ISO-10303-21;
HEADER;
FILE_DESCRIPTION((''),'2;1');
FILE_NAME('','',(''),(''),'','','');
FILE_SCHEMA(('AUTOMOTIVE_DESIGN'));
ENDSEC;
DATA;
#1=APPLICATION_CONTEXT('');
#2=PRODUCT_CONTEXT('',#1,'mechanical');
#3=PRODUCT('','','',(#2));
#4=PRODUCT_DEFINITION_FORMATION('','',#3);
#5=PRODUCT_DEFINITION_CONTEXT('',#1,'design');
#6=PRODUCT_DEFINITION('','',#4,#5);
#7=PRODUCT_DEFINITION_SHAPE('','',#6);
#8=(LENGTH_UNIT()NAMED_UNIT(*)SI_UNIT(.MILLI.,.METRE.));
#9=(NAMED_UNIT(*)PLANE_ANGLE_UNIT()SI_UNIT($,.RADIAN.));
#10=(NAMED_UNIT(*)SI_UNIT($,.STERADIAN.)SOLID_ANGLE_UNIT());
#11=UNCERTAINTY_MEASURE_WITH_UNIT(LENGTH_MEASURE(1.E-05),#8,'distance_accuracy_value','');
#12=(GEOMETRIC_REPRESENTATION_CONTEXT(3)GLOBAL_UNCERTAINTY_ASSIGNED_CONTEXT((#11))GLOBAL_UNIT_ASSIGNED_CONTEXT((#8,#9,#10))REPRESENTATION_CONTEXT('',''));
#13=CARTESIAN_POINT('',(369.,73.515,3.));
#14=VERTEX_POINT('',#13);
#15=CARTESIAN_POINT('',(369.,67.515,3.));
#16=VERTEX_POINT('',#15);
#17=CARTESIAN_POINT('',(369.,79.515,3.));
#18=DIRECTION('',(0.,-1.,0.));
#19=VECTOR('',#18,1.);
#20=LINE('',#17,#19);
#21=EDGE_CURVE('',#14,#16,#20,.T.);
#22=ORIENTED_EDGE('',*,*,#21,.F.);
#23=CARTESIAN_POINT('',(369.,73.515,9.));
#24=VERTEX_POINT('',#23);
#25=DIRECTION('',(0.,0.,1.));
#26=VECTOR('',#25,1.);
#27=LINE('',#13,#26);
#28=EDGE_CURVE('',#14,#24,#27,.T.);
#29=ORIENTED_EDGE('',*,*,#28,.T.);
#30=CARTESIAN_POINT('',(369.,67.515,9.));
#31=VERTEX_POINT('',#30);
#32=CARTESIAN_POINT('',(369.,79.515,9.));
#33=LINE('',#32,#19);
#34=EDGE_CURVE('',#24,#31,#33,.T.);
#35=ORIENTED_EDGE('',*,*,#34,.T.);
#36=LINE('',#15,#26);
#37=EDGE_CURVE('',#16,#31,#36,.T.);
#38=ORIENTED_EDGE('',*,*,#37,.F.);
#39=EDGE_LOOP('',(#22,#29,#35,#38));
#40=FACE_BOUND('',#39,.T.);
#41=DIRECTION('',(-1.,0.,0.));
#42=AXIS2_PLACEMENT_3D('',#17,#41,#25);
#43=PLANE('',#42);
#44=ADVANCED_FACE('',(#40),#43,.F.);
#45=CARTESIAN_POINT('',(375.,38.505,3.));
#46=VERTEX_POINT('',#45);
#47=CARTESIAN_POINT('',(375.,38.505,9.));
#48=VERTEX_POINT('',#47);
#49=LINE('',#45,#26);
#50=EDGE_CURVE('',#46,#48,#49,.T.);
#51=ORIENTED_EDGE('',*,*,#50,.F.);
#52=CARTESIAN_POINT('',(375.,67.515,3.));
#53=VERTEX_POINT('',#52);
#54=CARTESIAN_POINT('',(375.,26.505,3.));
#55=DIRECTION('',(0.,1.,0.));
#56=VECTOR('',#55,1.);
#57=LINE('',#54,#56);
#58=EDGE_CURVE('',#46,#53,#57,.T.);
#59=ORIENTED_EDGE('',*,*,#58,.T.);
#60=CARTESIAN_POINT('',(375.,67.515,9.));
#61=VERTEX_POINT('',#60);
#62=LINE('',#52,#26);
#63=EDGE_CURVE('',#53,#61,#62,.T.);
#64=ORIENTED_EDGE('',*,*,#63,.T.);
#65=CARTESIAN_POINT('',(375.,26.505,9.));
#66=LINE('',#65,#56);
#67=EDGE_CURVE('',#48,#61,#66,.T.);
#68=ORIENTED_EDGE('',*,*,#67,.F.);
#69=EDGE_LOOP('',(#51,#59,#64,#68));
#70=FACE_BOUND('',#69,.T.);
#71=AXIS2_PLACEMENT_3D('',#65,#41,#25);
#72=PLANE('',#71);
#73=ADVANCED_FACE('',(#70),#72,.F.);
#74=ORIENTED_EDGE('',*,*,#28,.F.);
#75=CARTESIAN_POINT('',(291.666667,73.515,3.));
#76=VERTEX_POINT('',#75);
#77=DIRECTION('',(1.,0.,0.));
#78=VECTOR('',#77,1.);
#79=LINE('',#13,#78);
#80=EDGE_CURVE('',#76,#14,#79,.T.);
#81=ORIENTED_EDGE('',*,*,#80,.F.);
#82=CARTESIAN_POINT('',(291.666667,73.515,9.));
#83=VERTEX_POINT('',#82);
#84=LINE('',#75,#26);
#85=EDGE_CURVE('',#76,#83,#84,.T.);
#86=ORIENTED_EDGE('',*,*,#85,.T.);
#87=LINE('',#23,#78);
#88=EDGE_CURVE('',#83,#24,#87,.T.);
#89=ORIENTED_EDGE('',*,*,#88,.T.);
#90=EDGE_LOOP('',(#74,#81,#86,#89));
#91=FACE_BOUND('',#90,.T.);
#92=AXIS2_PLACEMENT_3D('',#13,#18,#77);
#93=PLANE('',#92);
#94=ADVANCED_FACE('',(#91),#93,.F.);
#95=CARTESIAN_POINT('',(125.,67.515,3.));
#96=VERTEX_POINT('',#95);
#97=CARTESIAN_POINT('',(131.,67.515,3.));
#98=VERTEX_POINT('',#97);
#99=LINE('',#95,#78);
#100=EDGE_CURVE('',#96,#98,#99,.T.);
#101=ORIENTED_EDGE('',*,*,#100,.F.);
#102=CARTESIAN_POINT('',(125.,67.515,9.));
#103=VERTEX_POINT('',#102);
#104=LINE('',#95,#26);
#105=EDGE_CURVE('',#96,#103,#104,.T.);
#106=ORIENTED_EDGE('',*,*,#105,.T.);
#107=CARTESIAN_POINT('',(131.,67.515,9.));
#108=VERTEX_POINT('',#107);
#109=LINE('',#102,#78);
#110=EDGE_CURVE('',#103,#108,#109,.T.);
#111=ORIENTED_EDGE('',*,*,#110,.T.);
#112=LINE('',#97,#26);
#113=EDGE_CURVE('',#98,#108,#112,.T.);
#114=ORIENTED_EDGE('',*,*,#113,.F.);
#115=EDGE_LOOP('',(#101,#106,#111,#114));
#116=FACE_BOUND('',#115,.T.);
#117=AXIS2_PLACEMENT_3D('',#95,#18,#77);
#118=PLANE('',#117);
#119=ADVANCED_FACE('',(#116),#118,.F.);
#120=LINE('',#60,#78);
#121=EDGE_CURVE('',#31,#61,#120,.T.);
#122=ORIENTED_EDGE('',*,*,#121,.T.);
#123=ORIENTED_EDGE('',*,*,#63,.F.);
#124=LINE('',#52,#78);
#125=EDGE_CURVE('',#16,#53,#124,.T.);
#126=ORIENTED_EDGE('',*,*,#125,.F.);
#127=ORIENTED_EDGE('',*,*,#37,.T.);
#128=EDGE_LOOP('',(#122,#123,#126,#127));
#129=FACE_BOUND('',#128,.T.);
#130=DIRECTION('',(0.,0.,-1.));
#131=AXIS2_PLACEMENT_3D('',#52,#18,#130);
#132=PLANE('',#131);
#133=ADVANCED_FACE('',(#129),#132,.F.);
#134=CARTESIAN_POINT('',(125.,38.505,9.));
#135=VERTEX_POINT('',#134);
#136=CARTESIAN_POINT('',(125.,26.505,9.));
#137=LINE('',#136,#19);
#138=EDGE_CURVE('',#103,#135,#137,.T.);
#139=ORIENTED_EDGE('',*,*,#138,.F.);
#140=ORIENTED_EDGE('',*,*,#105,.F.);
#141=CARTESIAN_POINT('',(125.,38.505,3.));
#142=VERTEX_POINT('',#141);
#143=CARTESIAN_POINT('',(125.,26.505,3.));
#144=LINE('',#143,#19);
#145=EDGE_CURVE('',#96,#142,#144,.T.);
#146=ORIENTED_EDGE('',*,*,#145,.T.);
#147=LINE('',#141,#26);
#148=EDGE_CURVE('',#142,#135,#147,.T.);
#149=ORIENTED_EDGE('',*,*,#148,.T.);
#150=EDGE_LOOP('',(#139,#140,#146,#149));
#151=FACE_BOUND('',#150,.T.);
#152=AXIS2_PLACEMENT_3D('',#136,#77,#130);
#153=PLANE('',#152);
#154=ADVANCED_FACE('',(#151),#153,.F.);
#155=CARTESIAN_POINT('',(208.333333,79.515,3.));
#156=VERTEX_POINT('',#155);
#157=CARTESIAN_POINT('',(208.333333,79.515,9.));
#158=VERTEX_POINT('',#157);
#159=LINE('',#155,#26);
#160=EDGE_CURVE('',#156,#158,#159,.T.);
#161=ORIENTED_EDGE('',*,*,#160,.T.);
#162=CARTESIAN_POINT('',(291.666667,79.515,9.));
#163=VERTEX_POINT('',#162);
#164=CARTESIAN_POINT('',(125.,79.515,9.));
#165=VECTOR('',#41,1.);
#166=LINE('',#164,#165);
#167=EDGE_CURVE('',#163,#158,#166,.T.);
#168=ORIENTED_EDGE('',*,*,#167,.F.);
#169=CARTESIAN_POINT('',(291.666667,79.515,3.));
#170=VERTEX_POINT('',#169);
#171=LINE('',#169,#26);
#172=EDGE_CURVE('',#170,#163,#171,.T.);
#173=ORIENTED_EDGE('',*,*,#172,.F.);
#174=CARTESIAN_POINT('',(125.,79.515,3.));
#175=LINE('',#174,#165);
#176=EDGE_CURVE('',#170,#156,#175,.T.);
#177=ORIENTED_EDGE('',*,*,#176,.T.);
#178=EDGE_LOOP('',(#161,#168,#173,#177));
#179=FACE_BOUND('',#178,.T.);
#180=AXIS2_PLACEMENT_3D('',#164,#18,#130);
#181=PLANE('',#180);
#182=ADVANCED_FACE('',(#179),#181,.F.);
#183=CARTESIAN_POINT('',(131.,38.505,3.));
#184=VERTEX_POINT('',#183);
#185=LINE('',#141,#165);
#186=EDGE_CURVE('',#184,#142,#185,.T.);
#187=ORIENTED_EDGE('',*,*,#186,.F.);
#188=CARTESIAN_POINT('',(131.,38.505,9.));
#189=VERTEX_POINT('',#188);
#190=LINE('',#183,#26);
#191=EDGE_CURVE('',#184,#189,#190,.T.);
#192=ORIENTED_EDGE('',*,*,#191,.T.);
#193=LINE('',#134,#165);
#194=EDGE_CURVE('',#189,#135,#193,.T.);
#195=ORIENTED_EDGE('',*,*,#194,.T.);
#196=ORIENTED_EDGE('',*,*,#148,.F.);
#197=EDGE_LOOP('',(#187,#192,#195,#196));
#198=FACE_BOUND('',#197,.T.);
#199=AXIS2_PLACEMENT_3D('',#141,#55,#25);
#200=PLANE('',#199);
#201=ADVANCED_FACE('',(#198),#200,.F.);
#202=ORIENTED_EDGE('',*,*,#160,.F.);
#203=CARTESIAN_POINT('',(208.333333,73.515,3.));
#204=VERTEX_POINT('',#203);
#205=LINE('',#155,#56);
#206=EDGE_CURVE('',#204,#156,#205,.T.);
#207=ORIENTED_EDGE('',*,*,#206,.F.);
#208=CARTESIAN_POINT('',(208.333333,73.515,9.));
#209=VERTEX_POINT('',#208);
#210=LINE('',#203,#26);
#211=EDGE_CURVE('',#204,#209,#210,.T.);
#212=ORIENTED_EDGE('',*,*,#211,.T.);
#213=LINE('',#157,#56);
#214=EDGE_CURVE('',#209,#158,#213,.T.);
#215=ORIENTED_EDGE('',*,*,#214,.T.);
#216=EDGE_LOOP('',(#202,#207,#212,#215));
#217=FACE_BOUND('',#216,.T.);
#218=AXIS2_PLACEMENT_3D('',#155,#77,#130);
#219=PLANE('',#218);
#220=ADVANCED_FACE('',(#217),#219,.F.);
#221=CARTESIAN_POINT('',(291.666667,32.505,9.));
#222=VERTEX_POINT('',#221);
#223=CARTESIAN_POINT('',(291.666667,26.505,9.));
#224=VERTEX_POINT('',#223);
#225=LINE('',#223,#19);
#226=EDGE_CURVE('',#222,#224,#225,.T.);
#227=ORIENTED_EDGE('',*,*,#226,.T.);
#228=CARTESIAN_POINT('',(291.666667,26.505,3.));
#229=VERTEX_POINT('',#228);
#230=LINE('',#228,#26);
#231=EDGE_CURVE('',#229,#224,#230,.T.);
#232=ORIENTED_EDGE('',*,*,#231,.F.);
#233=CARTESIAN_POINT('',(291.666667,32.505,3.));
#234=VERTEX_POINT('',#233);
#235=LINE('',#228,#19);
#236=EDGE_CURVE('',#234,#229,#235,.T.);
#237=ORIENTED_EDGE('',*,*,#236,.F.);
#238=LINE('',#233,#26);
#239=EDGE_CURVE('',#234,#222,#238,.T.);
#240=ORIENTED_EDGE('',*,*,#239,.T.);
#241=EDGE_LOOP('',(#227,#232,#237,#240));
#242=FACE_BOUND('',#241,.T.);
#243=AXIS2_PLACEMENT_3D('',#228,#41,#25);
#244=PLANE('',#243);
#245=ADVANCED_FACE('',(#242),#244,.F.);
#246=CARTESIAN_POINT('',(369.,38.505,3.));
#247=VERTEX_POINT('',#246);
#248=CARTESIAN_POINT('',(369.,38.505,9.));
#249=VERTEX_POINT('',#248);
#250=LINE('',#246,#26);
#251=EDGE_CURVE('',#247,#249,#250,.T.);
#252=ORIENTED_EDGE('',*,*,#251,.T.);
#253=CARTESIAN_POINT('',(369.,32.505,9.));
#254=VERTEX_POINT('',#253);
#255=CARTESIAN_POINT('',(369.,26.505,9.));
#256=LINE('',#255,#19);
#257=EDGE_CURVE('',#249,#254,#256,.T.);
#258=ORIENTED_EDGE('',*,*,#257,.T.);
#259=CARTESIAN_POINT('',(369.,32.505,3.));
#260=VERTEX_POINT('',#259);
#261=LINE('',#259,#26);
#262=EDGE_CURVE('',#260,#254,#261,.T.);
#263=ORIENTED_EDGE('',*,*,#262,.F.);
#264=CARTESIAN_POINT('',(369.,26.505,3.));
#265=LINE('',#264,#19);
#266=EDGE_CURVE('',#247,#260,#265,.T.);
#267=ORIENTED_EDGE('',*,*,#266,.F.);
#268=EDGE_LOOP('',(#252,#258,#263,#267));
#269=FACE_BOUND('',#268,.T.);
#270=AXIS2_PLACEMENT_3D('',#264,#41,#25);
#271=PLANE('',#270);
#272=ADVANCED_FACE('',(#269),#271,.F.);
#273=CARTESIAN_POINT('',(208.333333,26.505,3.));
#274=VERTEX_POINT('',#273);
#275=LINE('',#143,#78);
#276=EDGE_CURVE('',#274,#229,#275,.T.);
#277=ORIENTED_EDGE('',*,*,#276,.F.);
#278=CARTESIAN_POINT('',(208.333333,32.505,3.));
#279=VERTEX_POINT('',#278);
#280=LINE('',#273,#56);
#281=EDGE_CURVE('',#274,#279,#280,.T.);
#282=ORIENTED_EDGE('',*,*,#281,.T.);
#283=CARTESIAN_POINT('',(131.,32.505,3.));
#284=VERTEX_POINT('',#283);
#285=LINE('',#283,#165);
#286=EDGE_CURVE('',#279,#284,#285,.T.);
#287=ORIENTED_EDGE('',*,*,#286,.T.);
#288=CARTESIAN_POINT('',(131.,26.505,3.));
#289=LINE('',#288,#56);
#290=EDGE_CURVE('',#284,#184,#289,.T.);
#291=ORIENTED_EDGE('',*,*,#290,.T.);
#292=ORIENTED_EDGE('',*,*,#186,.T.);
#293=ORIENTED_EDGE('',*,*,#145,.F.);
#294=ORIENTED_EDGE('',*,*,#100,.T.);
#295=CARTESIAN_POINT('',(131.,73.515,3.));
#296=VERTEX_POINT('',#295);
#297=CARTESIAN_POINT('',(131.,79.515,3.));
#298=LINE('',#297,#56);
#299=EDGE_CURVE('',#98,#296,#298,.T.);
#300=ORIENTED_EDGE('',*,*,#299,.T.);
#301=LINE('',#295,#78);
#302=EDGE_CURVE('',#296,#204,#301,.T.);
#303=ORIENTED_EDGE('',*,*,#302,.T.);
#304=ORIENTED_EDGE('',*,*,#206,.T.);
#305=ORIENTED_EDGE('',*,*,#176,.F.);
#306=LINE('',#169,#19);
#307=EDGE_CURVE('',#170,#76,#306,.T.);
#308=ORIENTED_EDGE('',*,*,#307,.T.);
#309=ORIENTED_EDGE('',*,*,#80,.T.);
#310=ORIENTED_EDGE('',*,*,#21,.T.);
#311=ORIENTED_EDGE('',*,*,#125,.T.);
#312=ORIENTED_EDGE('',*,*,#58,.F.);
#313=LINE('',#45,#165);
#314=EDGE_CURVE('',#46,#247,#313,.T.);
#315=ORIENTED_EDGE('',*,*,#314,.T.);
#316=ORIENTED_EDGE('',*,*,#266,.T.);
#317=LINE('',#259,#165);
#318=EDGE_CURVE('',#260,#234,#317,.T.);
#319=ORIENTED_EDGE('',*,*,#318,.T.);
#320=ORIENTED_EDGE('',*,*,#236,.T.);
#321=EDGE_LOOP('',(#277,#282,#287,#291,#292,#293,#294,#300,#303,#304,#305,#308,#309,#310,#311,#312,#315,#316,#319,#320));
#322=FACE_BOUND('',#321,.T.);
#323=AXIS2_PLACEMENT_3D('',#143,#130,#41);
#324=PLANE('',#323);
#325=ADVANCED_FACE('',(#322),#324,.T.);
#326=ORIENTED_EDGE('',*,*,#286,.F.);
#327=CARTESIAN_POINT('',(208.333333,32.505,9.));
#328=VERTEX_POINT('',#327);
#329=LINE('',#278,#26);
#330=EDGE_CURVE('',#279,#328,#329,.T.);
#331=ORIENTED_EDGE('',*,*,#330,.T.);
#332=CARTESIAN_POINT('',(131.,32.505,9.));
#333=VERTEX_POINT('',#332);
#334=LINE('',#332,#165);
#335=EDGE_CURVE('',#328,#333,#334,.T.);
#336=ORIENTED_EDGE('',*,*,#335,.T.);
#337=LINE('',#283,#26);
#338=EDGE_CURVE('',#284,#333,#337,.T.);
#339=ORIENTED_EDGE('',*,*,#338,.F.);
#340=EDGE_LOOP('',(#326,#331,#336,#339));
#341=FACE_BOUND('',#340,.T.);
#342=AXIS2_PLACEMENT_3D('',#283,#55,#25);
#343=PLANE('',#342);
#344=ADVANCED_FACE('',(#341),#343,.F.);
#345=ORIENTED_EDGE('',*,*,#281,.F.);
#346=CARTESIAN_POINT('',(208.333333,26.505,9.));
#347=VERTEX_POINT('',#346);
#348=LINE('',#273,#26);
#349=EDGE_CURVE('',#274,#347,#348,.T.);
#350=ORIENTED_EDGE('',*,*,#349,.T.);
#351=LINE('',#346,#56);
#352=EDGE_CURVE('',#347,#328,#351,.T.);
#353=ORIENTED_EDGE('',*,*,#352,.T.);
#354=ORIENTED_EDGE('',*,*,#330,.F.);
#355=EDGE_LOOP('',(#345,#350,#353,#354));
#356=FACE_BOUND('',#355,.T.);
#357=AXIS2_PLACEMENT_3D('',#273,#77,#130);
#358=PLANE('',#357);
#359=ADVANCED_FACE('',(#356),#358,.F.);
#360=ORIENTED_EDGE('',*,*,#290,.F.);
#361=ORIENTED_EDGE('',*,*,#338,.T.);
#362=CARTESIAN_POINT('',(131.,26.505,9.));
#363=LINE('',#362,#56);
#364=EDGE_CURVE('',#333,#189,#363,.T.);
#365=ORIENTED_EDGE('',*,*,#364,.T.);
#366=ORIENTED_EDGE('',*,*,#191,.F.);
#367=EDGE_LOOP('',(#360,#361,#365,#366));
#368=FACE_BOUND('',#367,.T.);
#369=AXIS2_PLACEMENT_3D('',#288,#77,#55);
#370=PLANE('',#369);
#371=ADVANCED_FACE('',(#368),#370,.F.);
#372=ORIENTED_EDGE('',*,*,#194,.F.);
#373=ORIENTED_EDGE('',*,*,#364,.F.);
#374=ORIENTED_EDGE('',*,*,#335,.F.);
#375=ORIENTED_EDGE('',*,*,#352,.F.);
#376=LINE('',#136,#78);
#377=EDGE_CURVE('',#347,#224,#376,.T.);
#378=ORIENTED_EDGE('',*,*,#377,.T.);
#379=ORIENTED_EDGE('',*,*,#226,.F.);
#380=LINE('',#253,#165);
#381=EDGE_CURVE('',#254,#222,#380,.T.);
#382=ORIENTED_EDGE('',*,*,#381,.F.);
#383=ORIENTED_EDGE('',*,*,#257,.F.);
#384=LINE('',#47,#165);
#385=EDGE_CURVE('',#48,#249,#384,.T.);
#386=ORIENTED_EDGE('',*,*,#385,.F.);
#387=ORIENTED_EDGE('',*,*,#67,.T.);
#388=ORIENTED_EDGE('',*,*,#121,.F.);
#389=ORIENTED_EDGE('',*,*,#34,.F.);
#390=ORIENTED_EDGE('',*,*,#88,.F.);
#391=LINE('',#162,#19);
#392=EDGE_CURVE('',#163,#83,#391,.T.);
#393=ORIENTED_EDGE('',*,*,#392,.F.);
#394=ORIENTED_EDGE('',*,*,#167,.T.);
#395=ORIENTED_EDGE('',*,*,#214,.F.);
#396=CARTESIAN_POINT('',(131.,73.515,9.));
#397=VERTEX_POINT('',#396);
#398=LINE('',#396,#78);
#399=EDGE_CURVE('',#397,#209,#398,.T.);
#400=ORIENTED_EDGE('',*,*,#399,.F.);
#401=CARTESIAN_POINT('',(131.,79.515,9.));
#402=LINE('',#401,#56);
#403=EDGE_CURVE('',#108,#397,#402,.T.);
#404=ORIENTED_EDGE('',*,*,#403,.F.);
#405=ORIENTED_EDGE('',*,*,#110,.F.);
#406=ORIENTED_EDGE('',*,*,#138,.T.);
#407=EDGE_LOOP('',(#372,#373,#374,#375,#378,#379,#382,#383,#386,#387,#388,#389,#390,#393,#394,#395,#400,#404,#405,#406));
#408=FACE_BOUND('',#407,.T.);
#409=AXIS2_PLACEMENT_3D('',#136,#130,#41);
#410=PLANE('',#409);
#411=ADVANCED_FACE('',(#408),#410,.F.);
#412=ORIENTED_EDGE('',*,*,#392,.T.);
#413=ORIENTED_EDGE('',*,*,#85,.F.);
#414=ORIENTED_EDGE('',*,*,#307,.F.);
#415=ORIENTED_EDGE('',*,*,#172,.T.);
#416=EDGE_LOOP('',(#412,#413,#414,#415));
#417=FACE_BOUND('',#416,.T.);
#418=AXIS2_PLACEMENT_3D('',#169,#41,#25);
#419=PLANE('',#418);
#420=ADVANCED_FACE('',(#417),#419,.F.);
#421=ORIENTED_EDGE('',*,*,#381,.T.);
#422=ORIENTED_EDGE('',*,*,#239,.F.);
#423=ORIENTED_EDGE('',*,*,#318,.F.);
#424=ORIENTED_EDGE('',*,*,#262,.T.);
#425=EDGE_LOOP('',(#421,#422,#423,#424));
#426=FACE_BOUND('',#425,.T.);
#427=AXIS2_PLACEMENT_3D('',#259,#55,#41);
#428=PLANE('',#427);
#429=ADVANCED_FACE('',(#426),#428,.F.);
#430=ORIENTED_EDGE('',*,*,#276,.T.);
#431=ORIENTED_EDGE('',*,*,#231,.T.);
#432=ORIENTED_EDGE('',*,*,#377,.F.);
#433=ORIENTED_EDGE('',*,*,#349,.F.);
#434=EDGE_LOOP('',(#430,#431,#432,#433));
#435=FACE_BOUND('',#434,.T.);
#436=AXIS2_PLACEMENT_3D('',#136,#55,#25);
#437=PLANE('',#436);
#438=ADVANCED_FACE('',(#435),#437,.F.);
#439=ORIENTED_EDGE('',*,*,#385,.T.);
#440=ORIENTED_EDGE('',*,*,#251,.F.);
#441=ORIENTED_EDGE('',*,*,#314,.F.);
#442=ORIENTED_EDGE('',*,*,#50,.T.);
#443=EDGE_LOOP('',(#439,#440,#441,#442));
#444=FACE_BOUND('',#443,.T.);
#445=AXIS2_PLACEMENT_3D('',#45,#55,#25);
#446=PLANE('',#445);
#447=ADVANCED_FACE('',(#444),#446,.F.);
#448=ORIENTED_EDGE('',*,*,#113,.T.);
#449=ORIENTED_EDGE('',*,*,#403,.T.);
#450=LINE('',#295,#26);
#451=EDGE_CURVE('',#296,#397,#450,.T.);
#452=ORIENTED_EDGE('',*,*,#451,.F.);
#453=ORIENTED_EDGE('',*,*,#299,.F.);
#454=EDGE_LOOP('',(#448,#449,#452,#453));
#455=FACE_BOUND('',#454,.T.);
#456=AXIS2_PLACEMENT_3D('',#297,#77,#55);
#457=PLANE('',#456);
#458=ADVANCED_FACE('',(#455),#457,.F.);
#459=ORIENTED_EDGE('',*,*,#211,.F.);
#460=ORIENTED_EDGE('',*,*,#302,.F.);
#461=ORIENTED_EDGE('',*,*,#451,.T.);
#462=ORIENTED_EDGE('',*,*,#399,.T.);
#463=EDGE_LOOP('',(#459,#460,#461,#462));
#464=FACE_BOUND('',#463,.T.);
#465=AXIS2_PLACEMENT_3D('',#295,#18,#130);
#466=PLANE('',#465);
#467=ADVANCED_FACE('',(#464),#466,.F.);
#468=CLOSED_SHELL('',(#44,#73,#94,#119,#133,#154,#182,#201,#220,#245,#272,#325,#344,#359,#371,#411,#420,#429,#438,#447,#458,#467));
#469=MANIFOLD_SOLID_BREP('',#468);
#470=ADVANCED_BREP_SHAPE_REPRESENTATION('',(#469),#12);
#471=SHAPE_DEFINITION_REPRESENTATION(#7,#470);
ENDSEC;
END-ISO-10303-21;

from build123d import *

# Parameters (mm, degrees)
SKETCH1_W           = 500
SKETCH1_H           = 106.02
BOSS_EXTRUDE1_DEPTH = 12
SKETCH2_W           = 12
SKETCH2_H           = 24
CUT_EXTRUDE1_DEPTH  = 512.257508894
SKETCH3_W           = 154.666666667
SKETCH3_H           = 12
CUT_EXTRUDE2_DEPTH  = 512.257508894
SCALE1_SCALE        = 0.5


with BuildPart() as part:
    # Sketch1 → Boss-Extrude1 (new body)
    with BuildSketch(Plane.XY):
        with Locations((250, 53.01)):
            Rectangle(SKETCH1_W, SKETCH1_H)
    extrude(amount=BOSS_EXTRUDE1_DEPTH)

    # Sketch2 → Cut-Extrude1 (cut, through all)
    with BuildSketch(Plane.XY.offset(12)):
        with Locations((494, 12)):
            Rectangle(SKETCH2_W, SKETCH2_H)
        with Locations((494, 94.02)):
            Rectangle(SKETCH2_W, SKETCH2_H)
        with Locations((6, 94.02)):
            Rectangle(SKETCH2_W, SKETCH2_H)
        with Locations((6, 12)):
            Rectangle(SKETCH2_W, SKETCH2_H)
    extrude(amount=-CUT_EXTRUDE1_DEPTH, mode=Mode.SUBTRACT)

    # Sketch3 → Cut-Extrude2 (cut, through all)
    with BuildSketch(Plane.XY.offset(12)):
        with Locations((89.333333334, 6)):
            Rectangle(SKETCH3_W, SKETCH3_H)
        with Locations((410.666666667, 6)):
            Rectangle(SKETCH3_W, SKETCH3_H)
        with Locations((89.333333334, 100.02)):
            Rectangle(SKETCH3_W, SKETCH3_H)
        with Locations((410.666666667, 100.02)):
            Rectangle(SKETCH3_W, SKETCH3_H)
    extrude(amount=-CUT_EXTRUDE2_DEPTH, mode=Mode.SUBTRACT)


with BuildPart() as part_1:
    # Scale1: scaled about (250, 53.01, 6)
    add(part.part.scale(SCALE1_SCALE).moved(Location((125, 26.505, 3))))


solid = part_1.part
